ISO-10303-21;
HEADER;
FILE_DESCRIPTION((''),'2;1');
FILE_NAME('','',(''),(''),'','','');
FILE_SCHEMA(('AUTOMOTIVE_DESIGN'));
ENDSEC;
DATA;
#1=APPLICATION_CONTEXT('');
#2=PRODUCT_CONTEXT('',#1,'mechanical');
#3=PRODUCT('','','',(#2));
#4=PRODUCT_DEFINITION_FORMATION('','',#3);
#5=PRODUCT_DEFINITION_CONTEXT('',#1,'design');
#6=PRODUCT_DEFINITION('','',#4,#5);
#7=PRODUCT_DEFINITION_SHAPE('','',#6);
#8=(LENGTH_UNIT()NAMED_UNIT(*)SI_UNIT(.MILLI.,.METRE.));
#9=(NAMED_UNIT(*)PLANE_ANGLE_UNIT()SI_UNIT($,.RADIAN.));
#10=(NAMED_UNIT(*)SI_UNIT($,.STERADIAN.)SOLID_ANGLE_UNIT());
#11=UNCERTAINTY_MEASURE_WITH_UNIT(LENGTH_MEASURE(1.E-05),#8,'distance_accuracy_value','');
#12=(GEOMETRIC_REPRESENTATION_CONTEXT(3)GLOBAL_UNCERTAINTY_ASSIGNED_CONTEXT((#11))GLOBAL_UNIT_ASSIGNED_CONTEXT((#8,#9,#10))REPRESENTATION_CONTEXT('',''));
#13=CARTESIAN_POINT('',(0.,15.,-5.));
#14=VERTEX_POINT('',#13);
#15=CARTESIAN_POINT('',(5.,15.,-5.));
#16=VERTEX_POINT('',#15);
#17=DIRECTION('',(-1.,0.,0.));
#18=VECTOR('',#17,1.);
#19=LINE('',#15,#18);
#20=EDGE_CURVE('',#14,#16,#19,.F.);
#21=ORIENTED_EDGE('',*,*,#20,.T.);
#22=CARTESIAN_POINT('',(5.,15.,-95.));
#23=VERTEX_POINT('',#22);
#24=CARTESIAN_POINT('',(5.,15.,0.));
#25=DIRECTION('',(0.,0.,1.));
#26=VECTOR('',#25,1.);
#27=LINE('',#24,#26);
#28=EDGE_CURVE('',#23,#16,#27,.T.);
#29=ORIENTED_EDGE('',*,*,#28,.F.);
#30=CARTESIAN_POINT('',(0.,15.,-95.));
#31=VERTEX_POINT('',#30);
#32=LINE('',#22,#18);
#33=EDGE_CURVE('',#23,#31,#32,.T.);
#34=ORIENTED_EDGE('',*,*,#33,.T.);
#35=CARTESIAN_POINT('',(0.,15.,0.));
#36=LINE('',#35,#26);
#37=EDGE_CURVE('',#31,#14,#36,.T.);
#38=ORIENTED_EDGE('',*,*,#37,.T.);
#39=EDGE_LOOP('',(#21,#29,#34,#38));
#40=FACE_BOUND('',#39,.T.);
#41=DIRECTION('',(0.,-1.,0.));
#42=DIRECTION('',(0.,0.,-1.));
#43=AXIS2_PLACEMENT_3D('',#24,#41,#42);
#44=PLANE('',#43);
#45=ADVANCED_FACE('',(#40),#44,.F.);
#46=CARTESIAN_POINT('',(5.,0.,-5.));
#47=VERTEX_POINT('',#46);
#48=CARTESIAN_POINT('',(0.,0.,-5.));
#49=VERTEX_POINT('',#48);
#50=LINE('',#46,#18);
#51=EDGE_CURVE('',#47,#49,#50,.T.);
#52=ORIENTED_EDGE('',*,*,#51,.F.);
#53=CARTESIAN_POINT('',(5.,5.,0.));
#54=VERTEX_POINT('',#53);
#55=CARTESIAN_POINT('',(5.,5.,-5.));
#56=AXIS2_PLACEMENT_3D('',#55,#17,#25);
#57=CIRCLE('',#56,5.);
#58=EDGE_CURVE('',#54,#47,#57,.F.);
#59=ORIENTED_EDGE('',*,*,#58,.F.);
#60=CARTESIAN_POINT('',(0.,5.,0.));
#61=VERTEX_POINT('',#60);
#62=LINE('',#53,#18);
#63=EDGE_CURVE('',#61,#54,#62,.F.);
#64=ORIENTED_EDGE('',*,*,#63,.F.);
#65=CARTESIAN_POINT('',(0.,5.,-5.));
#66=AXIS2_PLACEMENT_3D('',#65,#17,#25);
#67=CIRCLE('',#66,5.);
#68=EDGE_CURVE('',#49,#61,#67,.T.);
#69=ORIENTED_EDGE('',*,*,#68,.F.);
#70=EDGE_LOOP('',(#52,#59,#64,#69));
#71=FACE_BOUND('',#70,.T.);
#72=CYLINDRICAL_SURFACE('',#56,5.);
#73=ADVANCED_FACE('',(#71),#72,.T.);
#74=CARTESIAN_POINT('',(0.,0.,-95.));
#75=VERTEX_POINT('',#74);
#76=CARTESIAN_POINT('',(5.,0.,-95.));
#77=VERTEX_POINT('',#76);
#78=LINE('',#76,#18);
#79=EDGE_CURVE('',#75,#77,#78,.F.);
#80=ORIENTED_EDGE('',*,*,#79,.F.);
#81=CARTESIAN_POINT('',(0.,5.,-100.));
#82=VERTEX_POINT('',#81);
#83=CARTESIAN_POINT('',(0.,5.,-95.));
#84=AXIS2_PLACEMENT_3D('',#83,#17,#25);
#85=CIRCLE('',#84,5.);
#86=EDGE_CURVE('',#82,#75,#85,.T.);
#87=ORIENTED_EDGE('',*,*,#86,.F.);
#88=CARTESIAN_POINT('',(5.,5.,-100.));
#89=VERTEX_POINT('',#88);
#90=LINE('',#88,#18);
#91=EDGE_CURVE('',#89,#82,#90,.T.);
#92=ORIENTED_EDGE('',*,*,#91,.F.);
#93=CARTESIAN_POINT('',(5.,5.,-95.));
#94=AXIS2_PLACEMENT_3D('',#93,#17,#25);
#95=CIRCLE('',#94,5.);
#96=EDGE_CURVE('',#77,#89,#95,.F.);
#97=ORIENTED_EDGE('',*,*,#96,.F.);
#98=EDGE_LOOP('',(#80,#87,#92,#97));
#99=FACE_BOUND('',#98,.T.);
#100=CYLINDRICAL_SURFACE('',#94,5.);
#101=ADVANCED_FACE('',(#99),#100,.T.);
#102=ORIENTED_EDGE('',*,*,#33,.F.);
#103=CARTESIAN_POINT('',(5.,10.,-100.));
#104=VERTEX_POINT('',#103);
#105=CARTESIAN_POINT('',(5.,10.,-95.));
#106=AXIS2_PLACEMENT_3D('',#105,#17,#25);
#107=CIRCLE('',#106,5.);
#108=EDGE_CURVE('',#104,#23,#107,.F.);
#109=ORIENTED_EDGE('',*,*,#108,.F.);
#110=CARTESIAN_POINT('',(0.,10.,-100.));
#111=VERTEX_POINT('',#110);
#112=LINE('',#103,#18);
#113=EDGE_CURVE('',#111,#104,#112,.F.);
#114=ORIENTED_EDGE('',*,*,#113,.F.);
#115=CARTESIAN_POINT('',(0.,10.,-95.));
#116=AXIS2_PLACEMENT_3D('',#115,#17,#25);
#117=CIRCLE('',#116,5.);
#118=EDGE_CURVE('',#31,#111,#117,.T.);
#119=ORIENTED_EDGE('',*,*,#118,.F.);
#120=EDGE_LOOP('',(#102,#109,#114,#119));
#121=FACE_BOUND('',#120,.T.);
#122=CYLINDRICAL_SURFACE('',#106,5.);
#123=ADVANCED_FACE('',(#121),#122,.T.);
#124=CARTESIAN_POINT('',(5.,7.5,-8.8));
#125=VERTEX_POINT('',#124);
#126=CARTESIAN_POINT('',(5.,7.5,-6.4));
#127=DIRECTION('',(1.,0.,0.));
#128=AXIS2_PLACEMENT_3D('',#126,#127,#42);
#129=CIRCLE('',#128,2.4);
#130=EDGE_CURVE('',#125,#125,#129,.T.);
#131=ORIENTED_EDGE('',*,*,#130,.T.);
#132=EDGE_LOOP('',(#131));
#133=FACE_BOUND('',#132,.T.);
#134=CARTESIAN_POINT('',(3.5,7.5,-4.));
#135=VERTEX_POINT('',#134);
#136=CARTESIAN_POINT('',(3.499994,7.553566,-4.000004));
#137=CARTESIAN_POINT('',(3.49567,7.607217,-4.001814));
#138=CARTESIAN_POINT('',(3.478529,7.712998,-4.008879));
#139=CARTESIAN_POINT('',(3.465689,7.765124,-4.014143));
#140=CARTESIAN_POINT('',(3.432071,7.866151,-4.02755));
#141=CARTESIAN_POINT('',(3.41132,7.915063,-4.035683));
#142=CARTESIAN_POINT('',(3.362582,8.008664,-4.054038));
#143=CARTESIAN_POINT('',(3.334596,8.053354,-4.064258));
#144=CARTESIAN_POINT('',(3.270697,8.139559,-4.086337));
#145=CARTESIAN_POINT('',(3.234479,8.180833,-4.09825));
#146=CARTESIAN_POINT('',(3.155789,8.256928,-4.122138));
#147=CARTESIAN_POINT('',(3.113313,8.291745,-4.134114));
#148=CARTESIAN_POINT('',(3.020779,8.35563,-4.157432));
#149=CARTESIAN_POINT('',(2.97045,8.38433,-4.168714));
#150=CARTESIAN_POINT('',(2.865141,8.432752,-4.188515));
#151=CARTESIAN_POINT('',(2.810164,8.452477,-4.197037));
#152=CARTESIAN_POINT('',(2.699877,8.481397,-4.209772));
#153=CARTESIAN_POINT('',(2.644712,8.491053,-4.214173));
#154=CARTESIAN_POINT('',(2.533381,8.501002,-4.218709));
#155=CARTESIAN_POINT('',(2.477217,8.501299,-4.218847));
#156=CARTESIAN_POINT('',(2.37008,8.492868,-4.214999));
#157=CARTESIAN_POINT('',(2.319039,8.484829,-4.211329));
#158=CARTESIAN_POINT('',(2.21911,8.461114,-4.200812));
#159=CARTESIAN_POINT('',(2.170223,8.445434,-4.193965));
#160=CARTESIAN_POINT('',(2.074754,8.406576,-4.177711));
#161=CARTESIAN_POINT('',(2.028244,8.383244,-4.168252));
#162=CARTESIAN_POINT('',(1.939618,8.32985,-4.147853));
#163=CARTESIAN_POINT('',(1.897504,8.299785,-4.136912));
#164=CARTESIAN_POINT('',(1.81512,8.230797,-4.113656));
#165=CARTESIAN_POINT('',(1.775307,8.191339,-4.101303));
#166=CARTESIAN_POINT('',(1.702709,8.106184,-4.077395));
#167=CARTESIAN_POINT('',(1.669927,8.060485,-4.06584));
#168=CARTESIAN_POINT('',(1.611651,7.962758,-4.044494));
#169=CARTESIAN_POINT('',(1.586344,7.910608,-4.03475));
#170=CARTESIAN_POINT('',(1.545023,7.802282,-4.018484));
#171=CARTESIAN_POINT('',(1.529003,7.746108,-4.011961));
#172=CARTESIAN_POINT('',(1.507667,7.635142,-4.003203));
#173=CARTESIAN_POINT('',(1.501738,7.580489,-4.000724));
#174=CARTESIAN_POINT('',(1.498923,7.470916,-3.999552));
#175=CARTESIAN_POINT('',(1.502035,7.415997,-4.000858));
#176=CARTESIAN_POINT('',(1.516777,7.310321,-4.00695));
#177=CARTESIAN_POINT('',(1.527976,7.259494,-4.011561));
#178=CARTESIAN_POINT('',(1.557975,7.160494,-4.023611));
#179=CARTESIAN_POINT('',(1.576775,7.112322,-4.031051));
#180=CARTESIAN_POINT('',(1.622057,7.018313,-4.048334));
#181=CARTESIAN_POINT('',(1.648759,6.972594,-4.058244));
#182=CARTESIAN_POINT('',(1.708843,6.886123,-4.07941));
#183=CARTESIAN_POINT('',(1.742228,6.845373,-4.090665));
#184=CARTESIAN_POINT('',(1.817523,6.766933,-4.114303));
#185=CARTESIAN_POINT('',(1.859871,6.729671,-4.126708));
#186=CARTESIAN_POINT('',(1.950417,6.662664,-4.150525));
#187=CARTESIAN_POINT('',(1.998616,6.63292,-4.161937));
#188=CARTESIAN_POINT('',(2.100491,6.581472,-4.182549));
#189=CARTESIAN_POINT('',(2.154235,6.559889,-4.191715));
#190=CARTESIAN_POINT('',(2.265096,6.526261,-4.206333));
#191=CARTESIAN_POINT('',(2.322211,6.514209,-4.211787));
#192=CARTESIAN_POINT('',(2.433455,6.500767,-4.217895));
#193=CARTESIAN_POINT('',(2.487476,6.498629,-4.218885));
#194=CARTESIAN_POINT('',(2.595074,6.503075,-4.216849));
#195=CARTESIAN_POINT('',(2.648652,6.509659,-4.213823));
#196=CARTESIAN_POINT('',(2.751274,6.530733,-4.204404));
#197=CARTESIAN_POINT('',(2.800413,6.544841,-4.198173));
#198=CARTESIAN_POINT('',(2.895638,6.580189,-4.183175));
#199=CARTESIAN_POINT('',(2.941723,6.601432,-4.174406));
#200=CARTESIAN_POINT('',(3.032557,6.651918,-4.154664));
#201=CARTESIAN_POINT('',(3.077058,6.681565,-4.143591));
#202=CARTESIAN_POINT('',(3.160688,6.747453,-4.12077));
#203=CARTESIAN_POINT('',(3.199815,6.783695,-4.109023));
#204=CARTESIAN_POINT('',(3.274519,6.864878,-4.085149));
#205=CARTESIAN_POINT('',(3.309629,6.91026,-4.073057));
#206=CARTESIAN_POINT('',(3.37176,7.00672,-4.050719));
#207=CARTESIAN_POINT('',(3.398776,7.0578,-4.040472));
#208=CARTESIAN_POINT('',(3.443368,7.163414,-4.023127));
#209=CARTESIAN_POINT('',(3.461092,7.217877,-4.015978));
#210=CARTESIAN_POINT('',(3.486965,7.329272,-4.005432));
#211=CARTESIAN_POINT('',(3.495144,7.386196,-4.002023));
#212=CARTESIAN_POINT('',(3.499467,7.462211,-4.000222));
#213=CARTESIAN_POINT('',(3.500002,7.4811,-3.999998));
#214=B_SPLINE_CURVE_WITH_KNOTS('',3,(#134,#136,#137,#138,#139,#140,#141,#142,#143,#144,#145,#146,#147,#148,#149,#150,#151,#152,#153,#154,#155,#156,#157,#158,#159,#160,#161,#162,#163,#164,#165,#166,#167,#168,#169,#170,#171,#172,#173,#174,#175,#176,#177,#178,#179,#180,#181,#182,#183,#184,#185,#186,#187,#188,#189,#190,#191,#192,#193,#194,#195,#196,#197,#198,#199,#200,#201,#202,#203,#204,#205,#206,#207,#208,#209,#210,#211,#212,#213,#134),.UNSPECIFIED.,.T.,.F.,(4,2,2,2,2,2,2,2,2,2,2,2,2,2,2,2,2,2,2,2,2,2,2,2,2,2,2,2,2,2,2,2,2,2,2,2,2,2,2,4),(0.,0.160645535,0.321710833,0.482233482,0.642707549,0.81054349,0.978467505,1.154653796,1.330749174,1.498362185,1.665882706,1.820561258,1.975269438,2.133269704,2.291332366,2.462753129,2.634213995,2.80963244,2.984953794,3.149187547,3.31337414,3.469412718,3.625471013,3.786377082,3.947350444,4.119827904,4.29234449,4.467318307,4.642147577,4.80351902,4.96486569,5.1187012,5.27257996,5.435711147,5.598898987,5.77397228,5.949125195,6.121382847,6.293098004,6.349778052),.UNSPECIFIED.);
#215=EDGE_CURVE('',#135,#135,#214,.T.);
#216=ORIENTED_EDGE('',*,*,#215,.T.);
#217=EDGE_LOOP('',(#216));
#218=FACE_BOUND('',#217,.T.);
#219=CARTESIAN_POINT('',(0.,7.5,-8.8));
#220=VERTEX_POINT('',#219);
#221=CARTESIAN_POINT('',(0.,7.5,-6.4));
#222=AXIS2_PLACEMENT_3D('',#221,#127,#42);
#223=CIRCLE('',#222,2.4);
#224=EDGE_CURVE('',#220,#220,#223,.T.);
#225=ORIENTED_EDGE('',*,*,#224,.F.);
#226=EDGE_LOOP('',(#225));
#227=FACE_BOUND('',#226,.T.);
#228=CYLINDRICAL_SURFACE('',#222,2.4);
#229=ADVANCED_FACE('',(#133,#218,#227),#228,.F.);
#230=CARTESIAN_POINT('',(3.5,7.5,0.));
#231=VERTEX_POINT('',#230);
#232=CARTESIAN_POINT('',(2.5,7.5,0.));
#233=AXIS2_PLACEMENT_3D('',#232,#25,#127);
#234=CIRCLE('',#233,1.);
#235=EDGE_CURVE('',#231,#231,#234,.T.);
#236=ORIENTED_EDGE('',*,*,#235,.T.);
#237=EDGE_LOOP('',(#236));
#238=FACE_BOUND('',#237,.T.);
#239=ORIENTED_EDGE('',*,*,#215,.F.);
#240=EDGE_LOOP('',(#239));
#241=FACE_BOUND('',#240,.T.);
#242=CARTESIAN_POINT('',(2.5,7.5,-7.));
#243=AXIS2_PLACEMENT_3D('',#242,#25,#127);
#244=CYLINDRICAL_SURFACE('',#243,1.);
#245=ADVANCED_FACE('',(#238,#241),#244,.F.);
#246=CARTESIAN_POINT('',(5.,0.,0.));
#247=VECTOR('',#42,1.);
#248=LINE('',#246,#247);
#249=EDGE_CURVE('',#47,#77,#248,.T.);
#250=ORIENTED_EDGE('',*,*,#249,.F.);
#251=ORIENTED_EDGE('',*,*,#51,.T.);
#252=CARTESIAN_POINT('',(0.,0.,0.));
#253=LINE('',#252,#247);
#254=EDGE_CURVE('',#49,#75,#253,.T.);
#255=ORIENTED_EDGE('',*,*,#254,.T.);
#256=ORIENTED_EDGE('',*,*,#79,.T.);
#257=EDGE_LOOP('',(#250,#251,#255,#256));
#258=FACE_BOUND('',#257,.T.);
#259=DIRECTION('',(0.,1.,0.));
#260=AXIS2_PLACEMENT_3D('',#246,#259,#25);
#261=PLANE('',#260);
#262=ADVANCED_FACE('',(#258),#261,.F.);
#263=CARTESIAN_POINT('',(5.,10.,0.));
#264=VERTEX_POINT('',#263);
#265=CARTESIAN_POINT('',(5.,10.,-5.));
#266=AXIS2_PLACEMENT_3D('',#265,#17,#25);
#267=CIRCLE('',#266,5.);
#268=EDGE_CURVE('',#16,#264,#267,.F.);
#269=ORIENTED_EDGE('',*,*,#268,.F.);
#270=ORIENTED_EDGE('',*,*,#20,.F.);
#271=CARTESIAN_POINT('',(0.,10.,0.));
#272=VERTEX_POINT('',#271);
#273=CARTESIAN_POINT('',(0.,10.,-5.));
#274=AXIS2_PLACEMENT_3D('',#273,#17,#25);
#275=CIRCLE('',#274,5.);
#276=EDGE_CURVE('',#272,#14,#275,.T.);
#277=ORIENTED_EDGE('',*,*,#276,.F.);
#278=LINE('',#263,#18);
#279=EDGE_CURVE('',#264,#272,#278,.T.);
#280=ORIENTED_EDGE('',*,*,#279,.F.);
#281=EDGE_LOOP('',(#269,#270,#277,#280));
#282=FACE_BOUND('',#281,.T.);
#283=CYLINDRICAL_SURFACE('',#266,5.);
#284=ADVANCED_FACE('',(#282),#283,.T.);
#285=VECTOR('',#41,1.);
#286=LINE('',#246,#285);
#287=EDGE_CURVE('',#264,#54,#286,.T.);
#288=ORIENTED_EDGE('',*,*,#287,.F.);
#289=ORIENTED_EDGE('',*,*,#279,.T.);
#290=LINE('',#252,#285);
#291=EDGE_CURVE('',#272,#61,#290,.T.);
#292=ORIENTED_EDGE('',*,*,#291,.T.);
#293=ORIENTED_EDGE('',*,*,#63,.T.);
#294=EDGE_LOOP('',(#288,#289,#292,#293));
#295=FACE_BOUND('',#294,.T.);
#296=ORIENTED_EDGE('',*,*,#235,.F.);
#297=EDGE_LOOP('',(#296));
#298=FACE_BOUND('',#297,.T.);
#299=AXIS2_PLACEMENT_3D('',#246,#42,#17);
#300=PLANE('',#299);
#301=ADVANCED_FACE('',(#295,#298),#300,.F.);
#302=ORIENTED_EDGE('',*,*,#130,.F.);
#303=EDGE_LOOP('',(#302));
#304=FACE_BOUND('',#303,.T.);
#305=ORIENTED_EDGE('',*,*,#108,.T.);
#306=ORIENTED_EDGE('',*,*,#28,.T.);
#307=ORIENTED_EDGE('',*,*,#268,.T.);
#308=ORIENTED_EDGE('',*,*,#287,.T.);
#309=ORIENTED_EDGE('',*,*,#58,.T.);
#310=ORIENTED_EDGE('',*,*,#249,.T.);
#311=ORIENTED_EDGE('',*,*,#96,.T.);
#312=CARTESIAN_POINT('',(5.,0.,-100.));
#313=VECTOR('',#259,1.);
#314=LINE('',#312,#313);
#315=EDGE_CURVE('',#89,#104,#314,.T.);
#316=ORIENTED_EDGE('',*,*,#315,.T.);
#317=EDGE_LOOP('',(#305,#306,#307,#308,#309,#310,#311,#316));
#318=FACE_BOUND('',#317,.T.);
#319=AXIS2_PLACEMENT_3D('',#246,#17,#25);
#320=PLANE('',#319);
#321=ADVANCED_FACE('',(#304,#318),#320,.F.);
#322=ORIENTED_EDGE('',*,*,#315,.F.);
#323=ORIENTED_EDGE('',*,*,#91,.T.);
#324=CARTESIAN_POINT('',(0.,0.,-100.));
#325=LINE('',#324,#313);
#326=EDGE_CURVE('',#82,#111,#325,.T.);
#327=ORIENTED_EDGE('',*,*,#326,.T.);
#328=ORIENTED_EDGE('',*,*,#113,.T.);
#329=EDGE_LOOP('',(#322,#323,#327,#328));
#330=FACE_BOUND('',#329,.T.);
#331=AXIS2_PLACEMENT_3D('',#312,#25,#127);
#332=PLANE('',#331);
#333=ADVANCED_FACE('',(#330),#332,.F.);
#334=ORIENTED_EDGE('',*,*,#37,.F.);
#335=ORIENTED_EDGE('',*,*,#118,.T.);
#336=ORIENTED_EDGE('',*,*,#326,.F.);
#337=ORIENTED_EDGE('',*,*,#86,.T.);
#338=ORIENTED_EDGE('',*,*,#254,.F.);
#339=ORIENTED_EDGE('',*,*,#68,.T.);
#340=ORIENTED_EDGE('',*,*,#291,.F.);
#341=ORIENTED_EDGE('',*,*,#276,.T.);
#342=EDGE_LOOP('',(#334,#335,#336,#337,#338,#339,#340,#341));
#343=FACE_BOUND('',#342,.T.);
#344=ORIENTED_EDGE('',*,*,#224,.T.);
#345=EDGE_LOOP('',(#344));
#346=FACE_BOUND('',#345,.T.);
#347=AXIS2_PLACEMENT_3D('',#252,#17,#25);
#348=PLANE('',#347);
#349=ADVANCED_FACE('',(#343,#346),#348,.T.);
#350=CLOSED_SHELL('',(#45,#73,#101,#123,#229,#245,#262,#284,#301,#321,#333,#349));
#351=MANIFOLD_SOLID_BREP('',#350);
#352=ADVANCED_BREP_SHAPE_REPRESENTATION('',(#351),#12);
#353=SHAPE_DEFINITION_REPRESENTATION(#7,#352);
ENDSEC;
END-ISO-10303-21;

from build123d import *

# Parameters (mm, degrees)
SKETCH_1_W          = 100
SKETCH_1_H          = 15
EXTRUDE_1_DEPTH     = 5
SKETCH_2_R          = 2.4
CUT_EXTRUDE_1_DEPTH = 5
FILLET_1_R          = 5
SKETCH_4_R          = 1
CUT_EXTRUDE_2_DEPTH = 7


with BuildPart() as part:
    # 草图1 → 凸台-拉伸1 (new body)
    with BuildSketch(Plane(origin=(0, 0, 0), x_dir=(0, 0, -1), z_dir=(1, 0, 0))):
        with Locations((50, 7.5)):
            Rectangle(SKETCH_1_W, SKETCH_1_H)
    extrude(amount=EXTRUDE_1_DEPTH)

    # 草图2 → 切除-拉伸1 (cut)
    with BuildSketch(Plane(origin=(5, 0, 0), x_dir=(0, 0, -1), z_dir=(1, 0, 0))):
        with Locations((6.4, 7.5)):
            Circle(SKETCH_2_R)
    extrude(amount=-CUT_EXTRUDE_1_DEPTH, mode=Mode.SUBTRACT)

    # 圆角1
    fillet_1_edges = [part.edges().sort_by_distance(p)[0] for p in [
        (2.5, 15, 0),
        (2.5, 15, -100),
        (2.5, 0, -100),
        (2.5, 0, 0),
    ]]
    fillet(fillet_1_edges, radius=FILLET_1_R)

    # 草图4 → 切除-拉伸2 (cut)
    with BuildSketch(Plane.XY):
        with Locations((2.5, 7.5)):
            Circle(SKETCH_4_R)
    extrude(amount=-CUT_EXTRUDE_2_DEPTH, mode=Mode.SUBTRACT)


solid = part.part
